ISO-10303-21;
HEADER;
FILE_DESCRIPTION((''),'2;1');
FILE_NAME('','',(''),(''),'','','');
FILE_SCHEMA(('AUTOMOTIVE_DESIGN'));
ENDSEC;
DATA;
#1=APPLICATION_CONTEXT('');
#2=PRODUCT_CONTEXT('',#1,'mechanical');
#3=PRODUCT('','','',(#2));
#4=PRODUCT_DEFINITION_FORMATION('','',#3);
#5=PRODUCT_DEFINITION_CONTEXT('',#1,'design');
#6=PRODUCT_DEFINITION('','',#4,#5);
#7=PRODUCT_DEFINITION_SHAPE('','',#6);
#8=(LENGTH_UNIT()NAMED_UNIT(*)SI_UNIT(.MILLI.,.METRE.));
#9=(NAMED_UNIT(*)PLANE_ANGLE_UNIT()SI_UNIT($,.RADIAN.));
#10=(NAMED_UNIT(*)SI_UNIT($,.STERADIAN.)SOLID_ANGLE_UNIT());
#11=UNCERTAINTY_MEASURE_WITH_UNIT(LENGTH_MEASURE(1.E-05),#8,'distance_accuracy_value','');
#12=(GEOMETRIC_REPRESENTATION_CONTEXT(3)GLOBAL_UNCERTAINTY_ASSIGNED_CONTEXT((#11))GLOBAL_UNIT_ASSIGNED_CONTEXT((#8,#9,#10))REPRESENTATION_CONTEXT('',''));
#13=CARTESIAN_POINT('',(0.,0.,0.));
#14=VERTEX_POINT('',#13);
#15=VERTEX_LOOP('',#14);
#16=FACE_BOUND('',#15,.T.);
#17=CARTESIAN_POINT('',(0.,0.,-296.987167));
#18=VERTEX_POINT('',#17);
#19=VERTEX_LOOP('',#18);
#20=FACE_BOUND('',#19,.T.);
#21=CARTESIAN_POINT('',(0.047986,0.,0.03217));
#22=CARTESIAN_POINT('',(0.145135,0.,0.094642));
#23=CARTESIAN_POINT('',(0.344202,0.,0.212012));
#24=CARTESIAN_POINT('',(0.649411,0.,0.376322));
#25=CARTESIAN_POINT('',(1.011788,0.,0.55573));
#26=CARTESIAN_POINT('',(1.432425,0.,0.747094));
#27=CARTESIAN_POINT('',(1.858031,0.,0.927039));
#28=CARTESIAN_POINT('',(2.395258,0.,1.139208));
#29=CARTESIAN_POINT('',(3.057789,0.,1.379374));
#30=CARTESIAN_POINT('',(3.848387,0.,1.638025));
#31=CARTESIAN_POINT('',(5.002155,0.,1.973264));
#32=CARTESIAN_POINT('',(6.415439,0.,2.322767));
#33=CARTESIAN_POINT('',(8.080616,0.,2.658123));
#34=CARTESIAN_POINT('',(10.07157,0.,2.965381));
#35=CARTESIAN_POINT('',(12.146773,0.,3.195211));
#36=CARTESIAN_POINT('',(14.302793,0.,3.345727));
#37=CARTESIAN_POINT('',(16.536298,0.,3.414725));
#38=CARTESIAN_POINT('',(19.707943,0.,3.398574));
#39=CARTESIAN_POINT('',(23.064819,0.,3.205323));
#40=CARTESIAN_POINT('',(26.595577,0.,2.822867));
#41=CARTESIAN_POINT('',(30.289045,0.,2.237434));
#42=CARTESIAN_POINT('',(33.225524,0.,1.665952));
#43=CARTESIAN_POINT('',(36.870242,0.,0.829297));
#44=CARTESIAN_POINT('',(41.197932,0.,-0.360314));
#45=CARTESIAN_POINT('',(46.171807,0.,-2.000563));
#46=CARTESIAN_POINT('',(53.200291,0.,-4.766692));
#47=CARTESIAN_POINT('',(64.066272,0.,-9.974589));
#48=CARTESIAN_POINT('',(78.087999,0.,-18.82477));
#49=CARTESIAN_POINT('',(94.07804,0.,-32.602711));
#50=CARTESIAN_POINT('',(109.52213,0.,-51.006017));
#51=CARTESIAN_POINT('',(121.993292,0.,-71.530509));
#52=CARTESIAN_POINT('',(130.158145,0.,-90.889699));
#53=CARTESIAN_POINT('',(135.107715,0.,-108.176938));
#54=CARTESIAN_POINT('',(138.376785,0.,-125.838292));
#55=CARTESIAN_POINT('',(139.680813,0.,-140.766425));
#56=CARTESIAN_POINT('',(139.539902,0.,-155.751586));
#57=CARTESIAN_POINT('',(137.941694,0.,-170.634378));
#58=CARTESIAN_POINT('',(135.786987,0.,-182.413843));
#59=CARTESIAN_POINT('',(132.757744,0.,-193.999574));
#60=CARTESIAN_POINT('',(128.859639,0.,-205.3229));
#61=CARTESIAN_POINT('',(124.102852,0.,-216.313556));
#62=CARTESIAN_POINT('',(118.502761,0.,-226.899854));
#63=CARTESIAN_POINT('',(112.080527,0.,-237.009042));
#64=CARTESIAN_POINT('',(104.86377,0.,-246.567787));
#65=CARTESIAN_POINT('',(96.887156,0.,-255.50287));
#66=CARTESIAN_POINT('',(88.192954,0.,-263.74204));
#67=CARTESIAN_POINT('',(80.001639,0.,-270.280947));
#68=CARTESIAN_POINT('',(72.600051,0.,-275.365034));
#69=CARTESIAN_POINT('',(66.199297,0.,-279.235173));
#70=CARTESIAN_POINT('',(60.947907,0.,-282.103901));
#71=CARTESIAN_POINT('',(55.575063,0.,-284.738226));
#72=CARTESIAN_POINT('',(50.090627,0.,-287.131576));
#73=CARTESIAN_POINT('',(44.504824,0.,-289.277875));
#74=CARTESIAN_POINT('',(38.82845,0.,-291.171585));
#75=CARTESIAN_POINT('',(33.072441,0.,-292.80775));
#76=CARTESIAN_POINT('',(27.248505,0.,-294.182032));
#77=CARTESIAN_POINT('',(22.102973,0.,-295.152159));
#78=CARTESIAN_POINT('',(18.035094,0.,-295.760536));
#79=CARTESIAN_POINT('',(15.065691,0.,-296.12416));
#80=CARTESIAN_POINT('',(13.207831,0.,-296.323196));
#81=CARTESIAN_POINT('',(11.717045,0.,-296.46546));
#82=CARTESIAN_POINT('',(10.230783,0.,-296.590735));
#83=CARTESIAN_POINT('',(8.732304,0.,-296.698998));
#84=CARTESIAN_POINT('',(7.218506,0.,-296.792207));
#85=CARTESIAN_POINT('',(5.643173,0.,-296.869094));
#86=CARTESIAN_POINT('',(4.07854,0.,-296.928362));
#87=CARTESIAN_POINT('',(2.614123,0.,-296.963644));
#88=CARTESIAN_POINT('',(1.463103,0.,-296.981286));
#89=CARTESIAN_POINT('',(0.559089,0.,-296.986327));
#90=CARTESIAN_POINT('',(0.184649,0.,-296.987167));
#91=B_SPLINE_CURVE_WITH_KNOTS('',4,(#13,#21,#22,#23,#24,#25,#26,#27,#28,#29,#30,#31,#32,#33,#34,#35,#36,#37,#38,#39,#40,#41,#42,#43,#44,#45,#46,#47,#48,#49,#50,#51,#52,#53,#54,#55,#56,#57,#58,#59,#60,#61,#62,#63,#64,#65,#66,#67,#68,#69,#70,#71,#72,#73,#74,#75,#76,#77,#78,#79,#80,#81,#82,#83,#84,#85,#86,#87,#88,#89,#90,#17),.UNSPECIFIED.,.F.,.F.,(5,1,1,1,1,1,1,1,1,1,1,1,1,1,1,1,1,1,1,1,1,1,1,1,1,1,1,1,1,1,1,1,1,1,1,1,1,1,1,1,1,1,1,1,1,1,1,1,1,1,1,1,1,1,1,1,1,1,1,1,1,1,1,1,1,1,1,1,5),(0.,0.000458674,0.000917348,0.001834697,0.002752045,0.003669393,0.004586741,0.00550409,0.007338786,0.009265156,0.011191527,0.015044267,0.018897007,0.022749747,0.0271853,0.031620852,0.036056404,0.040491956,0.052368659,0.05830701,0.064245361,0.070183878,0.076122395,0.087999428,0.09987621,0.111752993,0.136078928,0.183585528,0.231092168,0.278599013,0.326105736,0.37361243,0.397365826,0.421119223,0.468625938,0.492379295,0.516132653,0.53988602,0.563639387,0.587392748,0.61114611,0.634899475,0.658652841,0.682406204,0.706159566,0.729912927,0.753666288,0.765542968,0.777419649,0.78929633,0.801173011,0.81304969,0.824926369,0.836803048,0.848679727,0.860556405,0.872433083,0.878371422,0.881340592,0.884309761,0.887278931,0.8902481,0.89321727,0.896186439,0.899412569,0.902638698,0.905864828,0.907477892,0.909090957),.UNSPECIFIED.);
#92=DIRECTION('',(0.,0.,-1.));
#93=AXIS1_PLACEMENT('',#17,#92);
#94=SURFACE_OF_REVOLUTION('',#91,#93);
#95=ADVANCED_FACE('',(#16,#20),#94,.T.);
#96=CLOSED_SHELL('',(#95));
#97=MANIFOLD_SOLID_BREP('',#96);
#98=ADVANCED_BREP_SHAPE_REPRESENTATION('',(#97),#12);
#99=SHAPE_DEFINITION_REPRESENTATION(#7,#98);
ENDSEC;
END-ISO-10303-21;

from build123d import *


with BuildPart() as part:
    # Sketch1 → Revolve2 (revolve)
    with BuildSketch(Plane(origin=(0, 0, 0), x_dir=(1, 0, 0), z_dir=(0, 1, 0))):
        with BuildLine():
            Line((0, 0), (0, 296.987166947))
            add(Edge.make_bspline(
                [(0, 0), (0.047986321, -0.032170326), (0.145134862, -0.094641733), (0.344202178, -0.212012113), (0.649410607, -0.376321721), (1.011788273, -0.555730005), (1.432424849, -0.747093767), (1.858031088, -0.92703884), (2.39525808, -1.139207801), (3.057789488, -1.379373609), (3.848387356, -1.638024585), (5.002155485, -1.973264111), (6.415439209, -2.322766938), (8.08061631, -2.658122802), (10.071569769, -2.965380962), (12.146773136, -3.195211102), (14.302793247, -3.345727051), (16.536298172, -3.414725171), (19.707943204, -3.398574226), (23.064818567, -3.205323054), (26.595576735, -2.822866935), (30.289045357, -2.237434117), (33.22552395, -1.665951987), (36.870242359, -0.829296861), (41.19793215, 0.360314403), (46.171806746, 2.000562742), (53.20029129, 4.766691595), (64.066271865, 9.974588959), (78.087998646, 18.824769896), (94.078039745, 32.602710922), (109.522130393, 51.006017186), (121.993292051, 71.530509103), (130.158145085, 90.889699436), (135.107715283, 108.176937845), (138.376785104, 125.838291985), (139.680812788, 140.766425165), (139.53990218, 155.7515861), (137.941693762, 170.634378491), (135.786987086, 182.413843164), (132.757744462, 193.999573999), (128.85963927, 205.322900291), (124.102852165, 216.313556295), (118.502761106, 226.899854399), (112.080527475, 237.009041725), (104.863770349, 246.567787483), (96.887156219, 255.502869604), (88.192954371, 263.742039758), (80.001639085, 270.280947105), (72.600050803, 275.365034326), (66.199296932, 279.235172874), (60.947906879, 282.103901173), (55.575062621, 284.738225891), (50.090627209, 287.131575809), (44.504824299, 289.277874601), (38.828450491, 291.171584885), (33.072441437, 292.807749889), (27.248504828, 294.18203213), (22.102972639, 295.152158828), (18.035094237, 295.760536135), (15.0656908, 296.124160412), (13.207831147, 296.323196206), (11.717044528, 296.465459961), (10.230783106, 296.590734539), (8.732303504, 296.698998444), (7.218505834, 296.792207093), (5.643172924, 296.869094234), (4.07854022, 296.928362498), (2.614122622, 296.963644046), (1.463102814, 296.981286093), (0.559088916, 296.986326825), (0.184648694, 296.987166947), (0, 296.987166947)],
                knots=[0, 0, 0, 0, 0, 0.000458674, 0.000917348, 0.001834697, 0.002752045, 0.003669393, 0.004586741, 0.00550409, 0.007338786, 0.009265156, 0.011191527, 0.015044267, 0.018897007, 0.022749747, 0.0271853, 0.031620852, 0.036056404, 0.040491956, 0.052368659, 0.05830701, 0.064245361, 0.070183878, 0.076122395, 0.087999428, 0.09987621, 0.111752993, 0.136078928, 0.183585528, 0.231092168, 0.278599013, 0.326105736, 0.37361243, 0.397365826, 0.421119223, 0.468625938, 0.492379295, 0.516132653, 0.53988602, 0.563639387, 0.587392748, 0.61114611, 0.634899475, 0.658652841, 0.682406204, 0.706159566, 0.729912927, 0.753666288, 0.765542968, 0.777419649, 0.78929633, 0.801173011, 0.81304969, 0.824926369, 0.836803048, 0.848679727, 0.860556405, 0.872433083, 0.878371422, 0.881340592, 0.884309761, 0.887278931, 0.8902481, 0.89321727, 0.896186439, 0.899412569, 0.902638698, 0.905864828, 0.907477892, 0.909090957, 0.909090957, 0.909090957, 0.909090957, 0.909090957], degree=4))
        make_face()
    revolve(axis=Axis((0, 0, -296.987166947), (0, 0, 1)))


solid = part.part
